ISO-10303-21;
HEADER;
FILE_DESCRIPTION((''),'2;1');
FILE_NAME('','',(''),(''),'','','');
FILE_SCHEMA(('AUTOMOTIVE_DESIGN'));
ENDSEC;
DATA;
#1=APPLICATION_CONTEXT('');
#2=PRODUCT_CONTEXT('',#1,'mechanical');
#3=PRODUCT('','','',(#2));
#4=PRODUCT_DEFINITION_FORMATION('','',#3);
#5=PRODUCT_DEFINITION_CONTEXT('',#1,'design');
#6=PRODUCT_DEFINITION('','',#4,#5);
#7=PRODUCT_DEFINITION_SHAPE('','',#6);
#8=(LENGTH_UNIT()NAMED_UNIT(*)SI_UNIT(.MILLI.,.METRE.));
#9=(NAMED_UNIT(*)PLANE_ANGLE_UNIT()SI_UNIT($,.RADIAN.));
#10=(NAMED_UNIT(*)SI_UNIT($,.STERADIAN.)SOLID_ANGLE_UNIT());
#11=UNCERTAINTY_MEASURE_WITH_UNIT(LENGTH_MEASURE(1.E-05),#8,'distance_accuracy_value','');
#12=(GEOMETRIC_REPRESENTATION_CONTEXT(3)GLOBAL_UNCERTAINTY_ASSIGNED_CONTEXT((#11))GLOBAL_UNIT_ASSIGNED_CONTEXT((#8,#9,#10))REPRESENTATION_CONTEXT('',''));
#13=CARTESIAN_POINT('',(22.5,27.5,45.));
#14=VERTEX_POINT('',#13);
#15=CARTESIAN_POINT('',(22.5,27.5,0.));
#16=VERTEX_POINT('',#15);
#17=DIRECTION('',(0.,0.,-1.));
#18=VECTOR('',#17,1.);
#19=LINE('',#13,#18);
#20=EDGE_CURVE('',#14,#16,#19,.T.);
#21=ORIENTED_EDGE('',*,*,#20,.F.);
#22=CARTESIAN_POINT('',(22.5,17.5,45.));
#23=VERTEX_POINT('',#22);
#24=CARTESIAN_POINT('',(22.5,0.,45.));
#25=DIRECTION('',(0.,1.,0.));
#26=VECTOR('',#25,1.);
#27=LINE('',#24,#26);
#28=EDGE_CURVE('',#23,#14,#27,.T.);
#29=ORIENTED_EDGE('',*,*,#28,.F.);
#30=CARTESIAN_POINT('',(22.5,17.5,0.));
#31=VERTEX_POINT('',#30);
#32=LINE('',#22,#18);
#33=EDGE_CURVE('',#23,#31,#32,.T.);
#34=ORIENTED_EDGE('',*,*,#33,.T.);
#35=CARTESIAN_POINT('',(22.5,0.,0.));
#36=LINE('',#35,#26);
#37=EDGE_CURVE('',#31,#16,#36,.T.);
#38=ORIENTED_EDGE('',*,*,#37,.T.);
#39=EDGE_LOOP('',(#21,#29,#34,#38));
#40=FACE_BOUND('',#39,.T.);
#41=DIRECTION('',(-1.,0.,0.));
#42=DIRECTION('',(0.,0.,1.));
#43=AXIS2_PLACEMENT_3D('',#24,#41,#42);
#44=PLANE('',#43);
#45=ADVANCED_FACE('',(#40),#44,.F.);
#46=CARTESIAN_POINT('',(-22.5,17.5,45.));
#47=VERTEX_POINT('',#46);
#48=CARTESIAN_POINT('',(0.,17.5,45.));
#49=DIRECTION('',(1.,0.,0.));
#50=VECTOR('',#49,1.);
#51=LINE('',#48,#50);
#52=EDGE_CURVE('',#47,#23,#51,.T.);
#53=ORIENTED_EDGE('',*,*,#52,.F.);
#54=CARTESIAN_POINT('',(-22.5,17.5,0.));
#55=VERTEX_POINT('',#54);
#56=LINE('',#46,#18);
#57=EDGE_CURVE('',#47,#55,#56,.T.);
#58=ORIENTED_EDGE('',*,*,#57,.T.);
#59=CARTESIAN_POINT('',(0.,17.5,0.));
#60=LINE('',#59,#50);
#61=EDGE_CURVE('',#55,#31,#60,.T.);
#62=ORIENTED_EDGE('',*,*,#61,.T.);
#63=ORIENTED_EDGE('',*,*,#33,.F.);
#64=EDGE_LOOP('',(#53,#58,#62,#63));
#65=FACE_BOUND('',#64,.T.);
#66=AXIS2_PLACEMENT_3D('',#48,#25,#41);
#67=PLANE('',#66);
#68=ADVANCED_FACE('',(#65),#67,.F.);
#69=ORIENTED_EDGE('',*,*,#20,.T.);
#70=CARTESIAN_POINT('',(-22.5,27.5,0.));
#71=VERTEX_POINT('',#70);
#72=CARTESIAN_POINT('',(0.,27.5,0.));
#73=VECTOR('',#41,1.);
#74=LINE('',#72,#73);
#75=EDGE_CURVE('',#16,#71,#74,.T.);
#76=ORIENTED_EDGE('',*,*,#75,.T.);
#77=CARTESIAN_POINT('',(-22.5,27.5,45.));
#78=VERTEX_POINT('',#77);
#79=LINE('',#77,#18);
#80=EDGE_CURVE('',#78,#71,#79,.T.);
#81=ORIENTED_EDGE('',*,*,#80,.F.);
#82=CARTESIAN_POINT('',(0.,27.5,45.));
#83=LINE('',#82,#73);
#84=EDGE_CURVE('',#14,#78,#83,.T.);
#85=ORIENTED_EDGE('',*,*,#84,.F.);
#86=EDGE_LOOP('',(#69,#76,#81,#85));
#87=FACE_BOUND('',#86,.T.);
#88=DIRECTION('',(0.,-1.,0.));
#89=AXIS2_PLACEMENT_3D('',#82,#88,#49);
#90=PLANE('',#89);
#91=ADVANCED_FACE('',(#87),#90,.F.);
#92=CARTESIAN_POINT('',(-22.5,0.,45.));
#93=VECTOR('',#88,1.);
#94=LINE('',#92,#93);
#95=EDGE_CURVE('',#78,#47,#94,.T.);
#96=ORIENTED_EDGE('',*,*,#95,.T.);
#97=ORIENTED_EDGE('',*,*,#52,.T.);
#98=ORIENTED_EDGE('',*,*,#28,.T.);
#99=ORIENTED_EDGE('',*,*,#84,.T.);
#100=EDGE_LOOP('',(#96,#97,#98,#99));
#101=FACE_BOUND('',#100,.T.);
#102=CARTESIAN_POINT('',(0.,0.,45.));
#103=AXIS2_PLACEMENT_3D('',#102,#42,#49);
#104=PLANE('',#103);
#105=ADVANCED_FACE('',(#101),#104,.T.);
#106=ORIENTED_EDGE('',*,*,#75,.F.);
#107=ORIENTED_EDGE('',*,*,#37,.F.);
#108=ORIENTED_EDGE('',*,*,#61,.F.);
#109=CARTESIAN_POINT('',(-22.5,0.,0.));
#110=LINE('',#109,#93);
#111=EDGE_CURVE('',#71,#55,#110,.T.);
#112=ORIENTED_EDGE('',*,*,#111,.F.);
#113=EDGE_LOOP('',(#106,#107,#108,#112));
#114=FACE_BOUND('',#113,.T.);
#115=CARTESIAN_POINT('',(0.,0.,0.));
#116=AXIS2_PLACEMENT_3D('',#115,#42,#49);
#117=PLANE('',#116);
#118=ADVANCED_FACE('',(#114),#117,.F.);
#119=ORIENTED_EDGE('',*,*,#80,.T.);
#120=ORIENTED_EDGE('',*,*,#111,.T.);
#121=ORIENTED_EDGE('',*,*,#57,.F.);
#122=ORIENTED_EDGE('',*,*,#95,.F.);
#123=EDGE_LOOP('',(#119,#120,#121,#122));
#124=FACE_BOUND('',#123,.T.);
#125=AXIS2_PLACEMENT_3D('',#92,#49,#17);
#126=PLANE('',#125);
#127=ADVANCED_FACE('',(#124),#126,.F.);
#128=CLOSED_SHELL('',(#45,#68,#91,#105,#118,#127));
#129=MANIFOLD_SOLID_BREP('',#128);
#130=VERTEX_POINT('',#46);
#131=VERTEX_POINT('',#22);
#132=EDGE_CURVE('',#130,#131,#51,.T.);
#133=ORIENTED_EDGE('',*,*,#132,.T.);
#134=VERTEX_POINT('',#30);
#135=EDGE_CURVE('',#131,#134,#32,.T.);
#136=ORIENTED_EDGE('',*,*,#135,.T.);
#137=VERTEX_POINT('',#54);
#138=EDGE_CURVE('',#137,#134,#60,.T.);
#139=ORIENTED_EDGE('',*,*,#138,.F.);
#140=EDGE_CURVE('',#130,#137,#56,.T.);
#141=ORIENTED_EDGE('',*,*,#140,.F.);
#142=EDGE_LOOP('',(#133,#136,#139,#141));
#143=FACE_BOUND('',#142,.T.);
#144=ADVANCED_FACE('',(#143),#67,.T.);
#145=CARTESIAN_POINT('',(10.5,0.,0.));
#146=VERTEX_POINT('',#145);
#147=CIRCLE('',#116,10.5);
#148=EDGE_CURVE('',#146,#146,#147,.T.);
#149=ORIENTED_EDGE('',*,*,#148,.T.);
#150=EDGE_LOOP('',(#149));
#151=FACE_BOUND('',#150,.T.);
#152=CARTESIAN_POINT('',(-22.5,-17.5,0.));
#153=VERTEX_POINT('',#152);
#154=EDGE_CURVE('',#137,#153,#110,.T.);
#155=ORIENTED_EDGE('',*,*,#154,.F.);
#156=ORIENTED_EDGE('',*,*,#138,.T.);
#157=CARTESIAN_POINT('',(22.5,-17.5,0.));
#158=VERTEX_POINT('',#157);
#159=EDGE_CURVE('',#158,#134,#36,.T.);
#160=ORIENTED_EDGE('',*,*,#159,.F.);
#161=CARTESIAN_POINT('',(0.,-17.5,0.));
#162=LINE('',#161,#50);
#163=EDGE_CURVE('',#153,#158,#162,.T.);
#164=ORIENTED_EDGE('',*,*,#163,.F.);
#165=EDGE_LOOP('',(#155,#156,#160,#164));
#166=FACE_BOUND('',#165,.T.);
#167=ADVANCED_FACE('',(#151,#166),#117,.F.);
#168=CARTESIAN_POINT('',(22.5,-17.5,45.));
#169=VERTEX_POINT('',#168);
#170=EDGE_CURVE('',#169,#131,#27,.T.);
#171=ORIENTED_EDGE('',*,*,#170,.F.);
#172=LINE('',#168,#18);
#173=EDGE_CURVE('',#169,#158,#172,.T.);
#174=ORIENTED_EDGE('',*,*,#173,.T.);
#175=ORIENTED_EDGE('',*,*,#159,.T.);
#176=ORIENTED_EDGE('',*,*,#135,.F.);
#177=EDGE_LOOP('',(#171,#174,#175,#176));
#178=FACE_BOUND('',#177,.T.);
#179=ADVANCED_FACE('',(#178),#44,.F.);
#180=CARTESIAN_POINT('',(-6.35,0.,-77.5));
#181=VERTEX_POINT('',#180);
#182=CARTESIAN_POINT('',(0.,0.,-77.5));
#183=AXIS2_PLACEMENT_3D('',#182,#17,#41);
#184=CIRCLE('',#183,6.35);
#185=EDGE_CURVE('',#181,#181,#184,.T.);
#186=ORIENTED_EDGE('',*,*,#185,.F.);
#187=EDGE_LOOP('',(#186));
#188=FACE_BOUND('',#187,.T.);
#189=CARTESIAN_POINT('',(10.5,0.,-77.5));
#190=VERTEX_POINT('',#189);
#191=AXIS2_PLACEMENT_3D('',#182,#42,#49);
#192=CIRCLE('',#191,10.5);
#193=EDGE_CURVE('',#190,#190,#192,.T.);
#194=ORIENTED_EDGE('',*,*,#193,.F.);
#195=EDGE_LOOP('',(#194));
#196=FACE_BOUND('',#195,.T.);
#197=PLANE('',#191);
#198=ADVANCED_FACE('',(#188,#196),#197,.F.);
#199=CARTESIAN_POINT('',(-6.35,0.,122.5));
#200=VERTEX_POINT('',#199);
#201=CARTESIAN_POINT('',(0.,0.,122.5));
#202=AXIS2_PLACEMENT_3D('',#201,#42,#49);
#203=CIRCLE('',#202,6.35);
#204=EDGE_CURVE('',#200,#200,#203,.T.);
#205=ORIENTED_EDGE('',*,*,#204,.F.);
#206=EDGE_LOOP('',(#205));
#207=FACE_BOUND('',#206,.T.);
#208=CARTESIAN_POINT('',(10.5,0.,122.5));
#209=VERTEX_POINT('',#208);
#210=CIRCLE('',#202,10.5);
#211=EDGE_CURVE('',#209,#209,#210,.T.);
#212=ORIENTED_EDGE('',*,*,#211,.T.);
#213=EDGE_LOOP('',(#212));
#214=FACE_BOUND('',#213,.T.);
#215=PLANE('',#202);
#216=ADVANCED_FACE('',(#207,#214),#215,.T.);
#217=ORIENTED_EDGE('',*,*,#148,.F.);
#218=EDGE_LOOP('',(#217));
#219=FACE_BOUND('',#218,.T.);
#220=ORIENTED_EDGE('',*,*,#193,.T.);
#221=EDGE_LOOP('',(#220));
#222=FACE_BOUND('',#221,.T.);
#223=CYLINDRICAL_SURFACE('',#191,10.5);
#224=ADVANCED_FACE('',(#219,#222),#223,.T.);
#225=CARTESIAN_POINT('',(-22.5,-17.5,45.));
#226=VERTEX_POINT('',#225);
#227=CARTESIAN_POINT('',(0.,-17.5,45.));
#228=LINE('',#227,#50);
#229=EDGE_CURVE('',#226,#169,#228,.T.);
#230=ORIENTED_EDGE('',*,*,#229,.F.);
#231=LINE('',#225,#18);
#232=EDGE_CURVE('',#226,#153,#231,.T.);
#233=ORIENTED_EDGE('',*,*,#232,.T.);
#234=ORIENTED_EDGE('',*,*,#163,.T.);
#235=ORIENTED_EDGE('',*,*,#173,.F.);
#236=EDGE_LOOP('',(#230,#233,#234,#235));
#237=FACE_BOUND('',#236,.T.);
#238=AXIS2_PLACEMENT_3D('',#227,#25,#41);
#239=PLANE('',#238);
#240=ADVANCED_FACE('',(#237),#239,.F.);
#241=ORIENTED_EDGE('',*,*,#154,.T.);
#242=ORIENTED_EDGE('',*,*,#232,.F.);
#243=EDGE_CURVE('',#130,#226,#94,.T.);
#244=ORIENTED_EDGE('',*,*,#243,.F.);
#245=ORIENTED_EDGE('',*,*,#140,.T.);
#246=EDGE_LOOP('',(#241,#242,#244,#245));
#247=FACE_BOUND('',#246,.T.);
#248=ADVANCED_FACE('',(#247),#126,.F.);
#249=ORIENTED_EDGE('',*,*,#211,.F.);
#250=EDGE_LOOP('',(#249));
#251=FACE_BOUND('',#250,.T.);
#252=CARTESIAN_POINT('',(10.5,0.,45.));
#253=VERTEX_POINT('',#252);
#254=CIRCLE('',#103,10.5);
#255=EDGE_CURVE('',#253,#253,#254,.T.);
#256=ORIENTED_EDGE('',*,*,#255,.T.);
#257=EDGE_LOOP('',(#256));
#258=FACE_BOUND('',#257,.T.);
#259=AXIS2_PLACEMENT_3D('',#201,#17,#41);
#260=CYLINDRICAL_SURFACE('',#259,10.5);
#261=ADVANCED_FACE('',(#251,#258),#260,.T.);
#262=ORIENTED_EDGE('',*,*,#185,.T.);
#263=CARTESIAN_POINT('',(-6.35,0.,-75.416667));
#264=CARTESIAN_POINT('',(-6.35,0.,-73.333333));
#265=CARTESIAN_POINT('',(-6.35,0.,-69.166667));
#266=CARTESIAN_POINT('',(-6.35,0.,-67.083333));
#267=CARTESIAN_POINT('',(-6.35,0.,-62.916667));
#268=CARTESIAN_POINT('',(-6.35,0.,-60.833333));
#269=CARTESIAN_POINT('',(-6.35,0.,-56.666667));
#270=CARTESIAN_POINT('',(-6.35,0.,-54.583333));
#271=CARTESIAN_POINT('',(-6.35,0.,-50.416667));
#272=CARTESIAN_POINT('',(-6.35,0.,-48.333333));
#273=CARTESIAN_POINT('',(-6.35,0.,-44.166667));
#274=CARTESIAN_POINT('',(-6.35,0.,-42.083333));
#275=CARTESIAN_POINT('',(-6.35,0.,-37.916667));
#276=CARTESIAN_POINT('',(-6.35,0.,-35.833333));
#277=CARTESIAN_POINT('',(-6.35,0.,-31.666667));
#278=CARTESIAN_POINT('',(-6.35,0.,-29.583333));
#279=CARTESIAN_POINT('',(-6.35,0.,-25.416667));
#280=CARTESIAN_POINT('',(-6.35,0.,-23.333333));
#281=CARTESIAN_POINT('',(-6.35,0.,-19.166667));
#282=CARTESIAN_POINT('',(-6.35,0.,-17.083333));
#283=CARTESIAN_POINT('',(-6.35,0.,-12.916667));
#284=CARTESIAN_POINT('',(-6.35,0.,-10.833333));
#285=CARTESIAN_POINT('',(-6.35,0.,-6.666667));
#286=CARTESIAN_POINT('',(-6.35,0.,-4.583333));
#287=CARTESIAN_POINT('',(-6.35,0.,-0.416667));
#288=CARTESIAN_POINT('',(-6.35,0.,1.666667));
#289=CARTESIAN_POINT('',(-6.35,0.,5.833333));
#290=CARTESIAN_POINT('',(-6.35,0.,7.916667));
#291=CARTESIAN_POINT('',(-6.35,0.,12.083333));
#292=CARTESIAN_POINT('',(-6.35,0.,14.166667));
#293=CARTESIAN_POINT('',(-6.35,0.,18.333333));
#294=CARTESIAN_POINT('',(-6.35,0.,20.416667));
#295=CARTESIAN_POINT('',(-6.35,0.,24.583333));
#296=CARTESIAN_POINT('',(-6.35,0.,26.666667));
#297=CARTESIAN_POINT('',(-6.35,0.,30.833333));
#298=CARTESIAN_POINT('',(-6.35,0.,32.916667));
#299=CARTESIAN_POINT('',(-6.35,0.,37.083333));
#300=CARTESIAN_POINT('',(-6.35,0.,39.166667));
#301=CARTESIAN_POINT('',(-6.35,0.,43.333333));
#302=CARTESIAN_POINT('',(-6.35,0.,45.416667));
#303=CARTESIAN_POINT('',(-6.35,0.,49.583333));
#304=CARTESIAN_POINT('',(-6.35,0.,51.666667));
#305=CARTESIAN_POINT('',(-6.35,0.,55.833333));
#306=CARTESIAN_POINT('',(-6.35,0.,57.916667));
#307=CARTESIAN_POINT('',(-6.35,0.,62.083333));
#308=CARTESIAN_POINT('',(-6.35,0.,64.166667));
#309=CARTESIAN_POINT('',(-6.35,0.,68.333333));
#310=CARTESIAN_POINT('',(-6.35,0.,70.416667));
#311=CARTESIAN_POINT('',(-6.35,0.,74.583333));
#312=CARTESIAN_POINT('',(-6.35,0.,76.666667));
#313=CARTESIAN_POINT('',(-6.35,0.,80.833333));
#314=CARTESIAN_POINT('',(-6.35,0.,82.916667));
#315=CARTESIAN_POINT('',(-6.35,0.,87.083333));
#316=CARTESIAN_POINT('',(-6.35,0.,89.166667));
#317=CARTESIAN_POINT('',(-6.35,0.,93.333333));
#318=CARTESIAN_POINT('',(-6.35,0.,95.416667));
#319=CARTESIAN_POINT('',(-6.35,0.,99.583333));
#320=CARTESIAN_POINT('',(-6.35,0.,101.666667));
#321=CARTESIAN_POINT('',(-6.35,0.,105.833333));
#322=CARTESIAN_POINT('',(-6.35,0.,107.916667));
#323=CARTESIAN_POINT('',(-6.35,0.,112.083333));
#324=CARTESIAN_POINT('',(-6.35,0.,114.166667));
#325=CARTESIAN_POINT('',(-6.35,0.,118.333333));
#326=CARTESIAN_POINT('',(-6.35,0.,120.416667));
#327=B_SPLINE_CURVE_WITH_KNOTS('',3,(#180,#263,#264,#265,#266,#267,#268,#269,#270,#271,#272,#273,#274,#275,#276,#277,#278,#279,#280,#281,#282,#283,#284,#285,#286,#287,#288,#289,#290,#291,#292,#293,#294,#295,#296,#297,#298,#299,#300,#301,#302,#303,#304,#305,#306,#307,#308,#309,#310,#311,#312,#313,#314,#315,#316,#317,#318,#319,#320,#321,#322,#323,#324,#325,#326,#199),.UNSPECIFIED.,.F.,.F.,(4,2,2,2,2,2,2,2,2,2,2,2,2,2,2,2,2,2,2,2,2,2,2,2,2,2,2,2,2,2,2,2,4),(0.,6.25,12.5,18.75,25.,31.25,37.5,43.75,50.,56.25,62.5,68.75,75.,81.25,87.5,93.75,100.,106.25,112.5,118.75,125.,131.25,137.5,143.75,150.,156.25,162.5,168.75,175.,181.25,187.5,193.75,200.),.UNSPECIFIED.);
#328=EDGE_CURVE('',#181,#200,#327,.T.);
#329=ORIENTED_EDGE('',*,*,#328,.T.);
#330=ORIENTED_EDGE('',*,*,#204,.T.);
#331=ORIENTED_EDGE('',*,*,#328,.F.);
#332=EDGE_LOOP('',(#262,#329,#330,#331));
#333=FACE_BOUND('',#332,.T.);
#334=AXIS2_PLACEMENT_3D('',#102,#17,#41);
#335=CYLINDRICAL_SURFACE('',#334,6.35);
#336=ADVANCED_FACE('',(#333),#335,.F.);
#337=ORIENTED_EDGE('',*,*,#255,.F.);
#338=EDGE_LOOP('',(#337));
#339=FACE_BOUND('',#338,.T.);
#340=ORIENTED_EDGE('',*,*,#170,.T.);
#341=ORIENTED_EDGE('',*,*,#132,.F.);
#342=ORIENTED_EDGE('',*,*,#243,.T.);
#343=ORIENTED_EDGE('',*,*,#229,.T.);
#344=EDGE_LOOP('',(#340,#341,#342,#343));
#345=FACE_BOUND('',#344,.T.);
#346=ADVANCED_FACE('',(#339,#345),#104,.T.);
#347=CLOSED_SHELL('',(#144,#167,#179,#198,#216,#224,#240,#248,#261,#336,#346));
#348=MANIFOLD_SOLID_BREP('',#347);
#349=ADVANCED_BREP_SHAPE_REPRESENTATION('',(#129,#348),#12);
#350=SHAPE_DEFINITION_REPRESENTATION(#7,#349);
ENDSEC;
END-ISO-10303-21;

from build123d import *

# Parameters (mm, degrees)
SKETCH2_W           = 45
SKETCH2_H           = 35
BOSS_EXTRUDE1_DEPTH = 45
SKETCH2_4_W         = 45
SKETCH2_4_H         = 10
BOSS_EXTRUDE3_DEPTH = 45
SKETCH3_R           = 6.35
CUT_EXTRUDE2_DEPTH  = 45
SKETCH5_R           = 10.5
BOSS_EXTRUDE4_DEPTH = 77.5
CUT_EXTRUDE4_START  = 77.5
SKETCH7_R           = 6.35
CUT_EXTRUDE4_DEPTH  = 77.5
BOSS_EXTRUDE5_START = 77.5
SKETCH8_R           = 10.5
BOSS_EXTRUDE5_DEPTH = 77.5
CUT_EXTRUDE5_START  = -77.5
SKETCH9_R           = 6.35
CUT_EXTRUDE5_DEPTH  = 77.5


with BuildPart() as part:
    # Sketch2 → Boss-Extrude1 (new body)
    with BuildSketch(Plane.XY):
        Rectangle(SKETCH2_W, SKETCH2_H)
    extrude(amount=BOSS_EXTRUDE1_DEPTH)

    # Sketch3 → Cut-Extrude2 (cut)
    with BuildSketch(Plane.XY):
        with Locations(Location((0, 0, 0), (0, 0, 180))):
            Circle(SKETCH3_R)
    extrude(amount=CUT_EXTRUDE2_DEPTH, mode=Mode.SUBTRACT)

    # Sketch5 → Boss-Extrude4 (add)
    with BuildSketch(Plane.XY):
        Circle(SKETCH5_R)
    extrude(amount=-BOSS_EXTRUDE4_DEPTH)

    # Sketch7 → Cut-Extrude4 (cut)
    with BuildSketch(Plane(origin=(0, 0, 0), x_dir=(-1, 0, 0), z_dir=(0, 0, -1)).offset(CUT_EXTRUDE4_START)):
        Circle(SKETCH7_R)
    extrude(amount=-CUT_EXTRUDE4_DEPTH, mode=Mode.SUBTRACT)

    # Sketch8 → Boss-Extrude5 (add)
    with BuildSketch(Plane.XY.offset(45).offset(BOSS_EXTRUDE5_START)):
        Circle(SKETCH8_R)
    extrude(amount=-BOSS_EXTRUDE5_DEPTH)

    # Sketch9 → Cut-Extrude5 (cut)
    with BuildSketch(Plane.XY.offset(122.5).offset(CUT_EXTRUDE5_START)):
        with Locations(Location((0, 0, 0), (0, 0, 180))):
            Circle(SKETCH9_R)
    extrude(amount=CUT_EXTRUDE5_DEPTH, mode=Mode.SUBTRACT)


with BuildPart() as body_2:
    # Sketch2<4> → Boss-Extrude3 (new body)
    with BuildSketch(Plane.XY):
        with Locations((0, 22.5)):
            Rectangle(SKETCH2_4_W, SKETCH2_4_H)
    extrude(amount=BOSS_EXTRUDE3_DEPTH)


solid = Compound([part.part, body_2.part])
